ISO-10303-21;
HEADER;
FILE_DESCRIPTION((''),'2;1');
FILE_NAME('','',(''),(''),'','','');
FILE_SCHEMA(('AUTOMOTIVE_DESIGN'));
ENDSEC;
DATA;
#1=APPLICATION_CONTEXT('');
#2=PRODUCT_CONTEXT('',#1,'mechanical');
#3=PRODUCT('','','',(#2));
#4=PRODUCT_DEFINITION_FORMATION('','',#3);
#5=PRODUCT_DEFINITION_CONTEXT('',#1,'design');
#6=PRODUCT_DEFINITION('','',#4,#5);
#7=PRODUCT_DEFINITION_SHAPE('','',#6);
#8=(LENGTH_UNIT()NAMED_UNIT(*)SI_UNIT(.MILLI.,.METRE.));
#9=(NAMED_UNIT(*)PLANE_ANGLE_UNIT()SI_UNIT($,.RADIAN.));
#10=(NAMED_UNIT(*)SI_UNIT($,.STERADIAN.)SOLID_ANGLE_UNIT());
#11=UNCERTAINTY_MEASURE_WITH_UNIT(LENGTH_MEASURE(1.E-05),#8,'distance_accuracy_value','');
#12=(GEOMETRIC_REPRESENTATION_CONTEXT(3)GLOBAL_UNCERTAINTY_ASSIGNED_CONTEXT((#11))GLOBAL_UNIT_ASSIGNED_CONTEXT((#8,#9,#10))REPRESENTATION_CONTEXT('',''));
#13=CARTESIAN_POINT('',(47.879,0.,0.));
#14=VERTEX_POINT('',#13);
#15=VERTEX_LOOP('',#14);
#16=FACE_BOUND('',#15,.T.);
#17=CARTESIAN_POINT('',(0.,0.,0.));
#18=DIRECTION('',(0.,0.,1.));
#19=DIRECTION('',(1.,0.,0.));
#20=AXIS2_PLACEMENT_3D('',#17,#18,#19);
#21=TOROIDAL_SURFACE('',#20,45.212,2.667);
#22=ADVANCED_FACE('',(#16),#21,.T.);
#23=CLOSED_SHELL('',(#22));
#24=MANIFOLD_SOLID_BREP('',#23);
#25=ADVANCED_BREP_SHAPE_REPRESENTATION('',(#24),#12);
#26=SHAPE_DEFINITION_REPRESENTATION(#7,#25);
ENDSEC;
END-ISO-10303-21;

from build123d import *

# Parameters (mm, degrees)
SKETCH1_R = 2.667


with BuildPart() as part:
    # Sketch1 → Revolve1 (revolve)
    with BuildSketch(Plane(origin=(0, 0, 0), x_dir=(0, -1, 0), z_dir=(1, 0, 0))):
        with Locations((45.212, 0)):
            Circle(SKETCH1_R)
    revolve(axis=Axis((0, 0, 2.667), (0, 0, -1)))


solid = part.part
